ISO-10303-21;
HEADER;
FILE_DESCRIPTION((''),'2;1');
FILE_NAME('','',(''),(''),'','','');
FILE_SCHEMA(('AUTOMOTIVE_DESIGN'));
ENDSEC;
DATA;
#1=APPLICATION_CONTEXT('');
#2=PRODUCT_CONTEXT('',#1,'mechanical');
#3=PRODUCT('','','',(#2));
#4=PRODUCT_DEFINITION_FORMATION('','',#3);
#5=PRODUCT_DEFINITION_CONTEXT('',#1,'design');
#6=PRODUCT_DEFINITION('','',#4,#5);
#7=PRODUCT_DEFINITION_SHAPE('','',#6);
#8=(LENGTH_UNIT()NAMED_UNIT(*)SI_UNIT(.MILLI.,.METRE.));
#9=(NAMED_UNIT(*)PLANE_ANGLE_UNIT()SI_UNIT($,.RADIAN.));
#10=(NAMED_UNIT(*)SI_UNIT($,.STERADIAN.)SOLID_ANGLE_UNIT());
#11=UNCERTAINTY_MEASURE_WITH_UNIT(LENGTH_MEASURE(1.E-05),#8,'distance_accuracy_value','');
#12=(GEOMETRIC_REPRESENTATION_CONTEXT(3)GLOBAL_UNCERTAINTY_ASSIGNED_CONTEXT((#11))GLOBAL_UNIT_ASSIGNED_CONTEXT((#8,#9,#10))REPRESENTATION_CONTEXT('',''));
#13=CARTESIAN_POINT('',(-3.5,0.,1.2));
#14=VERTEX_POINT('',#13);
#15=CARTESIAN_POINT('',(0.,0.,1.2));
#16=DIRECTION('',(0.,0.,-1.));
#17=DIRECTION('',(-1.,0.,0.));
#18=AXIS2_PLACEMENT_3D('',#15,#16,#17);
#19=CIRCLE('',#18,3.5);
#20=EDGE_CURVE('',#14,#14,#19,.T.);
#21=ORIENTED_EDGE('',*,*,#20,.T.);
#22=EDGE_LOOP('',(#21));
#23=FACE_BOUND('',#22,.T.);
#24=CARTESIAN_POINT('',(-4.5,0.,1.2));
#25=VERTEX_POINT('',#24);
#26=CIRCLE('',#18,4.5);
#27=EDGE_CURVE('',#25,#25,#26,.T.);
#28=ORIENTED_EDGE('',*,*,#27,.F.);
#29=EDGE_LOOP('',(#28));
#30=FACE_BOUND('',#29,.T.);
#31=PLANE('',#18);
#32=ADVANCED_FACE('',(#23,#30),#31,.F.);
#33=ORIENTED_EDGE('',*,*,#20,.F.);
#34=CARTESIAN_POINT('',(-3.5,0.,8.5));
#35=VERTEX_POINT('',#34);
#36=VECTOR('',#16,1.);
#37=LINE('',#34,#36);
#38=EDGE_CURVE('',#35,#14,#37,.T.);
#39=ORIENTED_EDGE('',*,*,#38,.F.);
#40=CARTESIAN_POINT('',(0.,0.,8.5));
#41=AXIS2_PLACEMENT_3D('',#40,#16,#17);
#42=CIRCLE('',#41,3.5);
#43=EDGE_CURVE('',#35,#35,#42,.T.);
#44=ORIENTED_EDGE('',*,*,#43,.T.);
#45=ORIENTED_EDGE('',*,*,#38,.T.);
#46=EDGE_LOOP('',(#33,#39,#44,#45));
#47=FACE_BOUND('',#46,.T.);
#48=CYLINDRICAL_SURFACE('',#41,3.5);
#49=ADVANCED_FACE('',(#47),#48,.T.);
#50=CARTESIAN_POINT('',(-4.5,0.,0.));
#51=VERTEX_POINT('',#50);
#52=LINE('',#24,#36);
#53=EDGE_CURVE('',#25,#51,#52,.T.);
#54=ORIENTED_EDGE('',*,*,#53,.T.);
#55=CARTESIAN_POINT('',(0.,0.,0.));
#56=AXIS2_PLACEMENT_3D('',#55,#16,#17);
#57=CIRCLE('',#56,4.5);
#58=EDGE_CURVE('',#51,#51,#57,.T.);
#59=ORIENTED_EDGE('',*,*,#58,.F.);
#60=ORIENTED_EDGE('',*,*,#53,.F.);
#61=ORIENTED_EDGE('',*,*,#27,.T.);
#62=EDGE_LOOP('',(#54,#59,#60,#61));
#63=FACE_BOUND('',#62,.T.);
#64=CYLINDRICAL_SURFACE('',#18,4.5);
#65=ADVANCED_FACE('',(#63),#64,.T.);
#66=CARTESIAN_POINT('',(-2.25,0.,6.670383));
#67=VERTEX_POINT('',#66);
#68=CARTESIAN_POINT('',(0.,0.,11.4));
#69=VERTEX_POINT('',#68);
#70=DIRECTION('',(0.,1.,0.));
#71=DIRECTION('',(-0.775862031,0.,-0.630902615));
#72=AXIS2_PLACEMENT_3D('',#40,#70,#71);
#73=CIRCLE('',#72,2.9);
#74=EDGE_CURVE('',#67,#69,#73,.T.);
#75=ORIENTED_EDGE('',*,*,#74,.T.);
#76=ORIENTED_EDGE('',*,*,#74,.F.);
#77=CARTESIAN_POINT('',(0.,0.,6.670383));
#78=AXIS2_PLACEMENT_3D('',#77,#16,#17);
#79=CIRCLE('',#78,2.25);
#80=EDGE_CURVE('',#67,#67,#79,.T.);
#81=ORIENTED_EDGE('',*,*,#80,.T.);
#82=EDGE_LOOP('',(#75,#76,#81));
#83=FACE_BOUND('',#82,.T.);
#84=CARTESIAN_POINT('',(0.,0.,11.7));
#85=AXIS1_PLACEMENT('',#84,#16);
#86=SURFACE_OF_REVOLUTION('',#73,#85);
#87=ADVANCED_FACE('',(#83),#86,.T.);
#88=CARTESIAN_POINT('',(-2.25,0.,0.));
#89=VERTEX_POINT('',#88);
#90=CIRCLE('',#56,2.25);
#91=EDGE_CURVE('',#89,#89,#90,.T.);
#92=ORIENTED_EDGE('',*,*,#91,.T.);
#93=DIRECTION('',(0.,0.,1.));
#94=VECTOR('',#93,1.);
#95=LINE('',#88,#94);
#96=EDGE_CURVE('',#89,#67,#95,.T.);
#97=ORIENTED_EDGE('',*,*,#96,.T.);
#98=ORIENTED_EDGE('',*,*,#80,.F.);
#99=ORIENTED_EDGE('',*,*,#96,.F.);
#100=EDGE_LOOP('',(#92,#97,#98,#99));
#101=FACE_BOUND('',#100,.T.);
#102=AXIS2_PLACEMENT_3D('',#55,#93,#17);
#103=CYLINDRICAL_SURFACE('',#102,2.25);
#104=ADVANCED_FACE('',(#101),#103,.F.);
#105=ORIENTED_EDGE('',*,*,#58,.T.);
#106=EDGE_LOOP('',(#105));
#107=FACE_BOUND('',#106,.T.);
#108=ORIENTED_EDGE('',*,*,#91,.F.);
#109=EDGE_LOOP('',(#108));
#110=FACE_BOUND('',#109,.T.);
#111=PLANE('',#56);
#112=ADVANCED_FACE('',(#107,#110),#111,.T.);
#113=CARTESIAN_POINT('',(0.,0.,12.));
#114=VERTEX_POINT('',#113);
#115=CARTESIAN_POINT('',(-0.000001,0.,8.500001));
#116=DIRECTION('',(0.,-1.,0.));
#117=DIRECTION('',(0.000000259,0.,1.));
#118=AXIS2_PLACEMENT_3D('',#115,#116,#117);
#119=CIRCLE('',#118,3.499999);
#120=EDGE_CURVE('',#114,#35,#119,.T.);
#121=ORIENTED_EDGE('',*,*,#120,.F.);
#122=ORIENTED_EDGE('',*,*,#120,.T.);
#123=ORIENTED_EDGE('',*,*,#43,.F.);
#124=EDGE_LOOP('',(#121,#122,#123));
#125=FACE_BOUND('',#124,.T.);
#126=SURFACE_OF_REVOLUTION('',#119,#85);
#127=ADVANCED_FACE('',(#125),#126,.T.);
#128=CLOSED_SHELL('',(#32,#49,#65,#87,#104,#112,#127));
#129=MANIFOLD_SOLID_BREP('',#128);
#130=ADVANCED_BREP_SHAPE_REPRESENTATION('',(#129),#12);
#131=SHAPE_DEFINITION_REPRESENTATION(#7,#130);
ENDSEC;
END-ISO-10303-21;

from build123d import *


with BuildPart() as f1:
    # F0 (on Front) → F1 (revolve)
    with BuildSketch(Plane.XZ):
        with BuildLine():
            Line((-4.5, 1.2), (-4.5, 0))
            Line((-4.5, 0), (-2.25, 0))
            Line((-2.25, 0), (-2.25, 6.670383))
            ThreePointArc((-2.25, 6.670383), (-2.618768, 9.745815), (0, 11.4))
            Line((0, 11.4), (0, 12))
            ThreePointArc((0, 12), (-2.474874, 10.974874), (-3.5, 8.5))
            Line((-3.5, 8.5), (-3.5, 1.2))
            Line((-3.5, 1.2), (-4.5, 1.2))
        make_face()
    revolve(axis=Axis((0, 0, 11.7), (0, 0, -1)))


solid = f1.part
